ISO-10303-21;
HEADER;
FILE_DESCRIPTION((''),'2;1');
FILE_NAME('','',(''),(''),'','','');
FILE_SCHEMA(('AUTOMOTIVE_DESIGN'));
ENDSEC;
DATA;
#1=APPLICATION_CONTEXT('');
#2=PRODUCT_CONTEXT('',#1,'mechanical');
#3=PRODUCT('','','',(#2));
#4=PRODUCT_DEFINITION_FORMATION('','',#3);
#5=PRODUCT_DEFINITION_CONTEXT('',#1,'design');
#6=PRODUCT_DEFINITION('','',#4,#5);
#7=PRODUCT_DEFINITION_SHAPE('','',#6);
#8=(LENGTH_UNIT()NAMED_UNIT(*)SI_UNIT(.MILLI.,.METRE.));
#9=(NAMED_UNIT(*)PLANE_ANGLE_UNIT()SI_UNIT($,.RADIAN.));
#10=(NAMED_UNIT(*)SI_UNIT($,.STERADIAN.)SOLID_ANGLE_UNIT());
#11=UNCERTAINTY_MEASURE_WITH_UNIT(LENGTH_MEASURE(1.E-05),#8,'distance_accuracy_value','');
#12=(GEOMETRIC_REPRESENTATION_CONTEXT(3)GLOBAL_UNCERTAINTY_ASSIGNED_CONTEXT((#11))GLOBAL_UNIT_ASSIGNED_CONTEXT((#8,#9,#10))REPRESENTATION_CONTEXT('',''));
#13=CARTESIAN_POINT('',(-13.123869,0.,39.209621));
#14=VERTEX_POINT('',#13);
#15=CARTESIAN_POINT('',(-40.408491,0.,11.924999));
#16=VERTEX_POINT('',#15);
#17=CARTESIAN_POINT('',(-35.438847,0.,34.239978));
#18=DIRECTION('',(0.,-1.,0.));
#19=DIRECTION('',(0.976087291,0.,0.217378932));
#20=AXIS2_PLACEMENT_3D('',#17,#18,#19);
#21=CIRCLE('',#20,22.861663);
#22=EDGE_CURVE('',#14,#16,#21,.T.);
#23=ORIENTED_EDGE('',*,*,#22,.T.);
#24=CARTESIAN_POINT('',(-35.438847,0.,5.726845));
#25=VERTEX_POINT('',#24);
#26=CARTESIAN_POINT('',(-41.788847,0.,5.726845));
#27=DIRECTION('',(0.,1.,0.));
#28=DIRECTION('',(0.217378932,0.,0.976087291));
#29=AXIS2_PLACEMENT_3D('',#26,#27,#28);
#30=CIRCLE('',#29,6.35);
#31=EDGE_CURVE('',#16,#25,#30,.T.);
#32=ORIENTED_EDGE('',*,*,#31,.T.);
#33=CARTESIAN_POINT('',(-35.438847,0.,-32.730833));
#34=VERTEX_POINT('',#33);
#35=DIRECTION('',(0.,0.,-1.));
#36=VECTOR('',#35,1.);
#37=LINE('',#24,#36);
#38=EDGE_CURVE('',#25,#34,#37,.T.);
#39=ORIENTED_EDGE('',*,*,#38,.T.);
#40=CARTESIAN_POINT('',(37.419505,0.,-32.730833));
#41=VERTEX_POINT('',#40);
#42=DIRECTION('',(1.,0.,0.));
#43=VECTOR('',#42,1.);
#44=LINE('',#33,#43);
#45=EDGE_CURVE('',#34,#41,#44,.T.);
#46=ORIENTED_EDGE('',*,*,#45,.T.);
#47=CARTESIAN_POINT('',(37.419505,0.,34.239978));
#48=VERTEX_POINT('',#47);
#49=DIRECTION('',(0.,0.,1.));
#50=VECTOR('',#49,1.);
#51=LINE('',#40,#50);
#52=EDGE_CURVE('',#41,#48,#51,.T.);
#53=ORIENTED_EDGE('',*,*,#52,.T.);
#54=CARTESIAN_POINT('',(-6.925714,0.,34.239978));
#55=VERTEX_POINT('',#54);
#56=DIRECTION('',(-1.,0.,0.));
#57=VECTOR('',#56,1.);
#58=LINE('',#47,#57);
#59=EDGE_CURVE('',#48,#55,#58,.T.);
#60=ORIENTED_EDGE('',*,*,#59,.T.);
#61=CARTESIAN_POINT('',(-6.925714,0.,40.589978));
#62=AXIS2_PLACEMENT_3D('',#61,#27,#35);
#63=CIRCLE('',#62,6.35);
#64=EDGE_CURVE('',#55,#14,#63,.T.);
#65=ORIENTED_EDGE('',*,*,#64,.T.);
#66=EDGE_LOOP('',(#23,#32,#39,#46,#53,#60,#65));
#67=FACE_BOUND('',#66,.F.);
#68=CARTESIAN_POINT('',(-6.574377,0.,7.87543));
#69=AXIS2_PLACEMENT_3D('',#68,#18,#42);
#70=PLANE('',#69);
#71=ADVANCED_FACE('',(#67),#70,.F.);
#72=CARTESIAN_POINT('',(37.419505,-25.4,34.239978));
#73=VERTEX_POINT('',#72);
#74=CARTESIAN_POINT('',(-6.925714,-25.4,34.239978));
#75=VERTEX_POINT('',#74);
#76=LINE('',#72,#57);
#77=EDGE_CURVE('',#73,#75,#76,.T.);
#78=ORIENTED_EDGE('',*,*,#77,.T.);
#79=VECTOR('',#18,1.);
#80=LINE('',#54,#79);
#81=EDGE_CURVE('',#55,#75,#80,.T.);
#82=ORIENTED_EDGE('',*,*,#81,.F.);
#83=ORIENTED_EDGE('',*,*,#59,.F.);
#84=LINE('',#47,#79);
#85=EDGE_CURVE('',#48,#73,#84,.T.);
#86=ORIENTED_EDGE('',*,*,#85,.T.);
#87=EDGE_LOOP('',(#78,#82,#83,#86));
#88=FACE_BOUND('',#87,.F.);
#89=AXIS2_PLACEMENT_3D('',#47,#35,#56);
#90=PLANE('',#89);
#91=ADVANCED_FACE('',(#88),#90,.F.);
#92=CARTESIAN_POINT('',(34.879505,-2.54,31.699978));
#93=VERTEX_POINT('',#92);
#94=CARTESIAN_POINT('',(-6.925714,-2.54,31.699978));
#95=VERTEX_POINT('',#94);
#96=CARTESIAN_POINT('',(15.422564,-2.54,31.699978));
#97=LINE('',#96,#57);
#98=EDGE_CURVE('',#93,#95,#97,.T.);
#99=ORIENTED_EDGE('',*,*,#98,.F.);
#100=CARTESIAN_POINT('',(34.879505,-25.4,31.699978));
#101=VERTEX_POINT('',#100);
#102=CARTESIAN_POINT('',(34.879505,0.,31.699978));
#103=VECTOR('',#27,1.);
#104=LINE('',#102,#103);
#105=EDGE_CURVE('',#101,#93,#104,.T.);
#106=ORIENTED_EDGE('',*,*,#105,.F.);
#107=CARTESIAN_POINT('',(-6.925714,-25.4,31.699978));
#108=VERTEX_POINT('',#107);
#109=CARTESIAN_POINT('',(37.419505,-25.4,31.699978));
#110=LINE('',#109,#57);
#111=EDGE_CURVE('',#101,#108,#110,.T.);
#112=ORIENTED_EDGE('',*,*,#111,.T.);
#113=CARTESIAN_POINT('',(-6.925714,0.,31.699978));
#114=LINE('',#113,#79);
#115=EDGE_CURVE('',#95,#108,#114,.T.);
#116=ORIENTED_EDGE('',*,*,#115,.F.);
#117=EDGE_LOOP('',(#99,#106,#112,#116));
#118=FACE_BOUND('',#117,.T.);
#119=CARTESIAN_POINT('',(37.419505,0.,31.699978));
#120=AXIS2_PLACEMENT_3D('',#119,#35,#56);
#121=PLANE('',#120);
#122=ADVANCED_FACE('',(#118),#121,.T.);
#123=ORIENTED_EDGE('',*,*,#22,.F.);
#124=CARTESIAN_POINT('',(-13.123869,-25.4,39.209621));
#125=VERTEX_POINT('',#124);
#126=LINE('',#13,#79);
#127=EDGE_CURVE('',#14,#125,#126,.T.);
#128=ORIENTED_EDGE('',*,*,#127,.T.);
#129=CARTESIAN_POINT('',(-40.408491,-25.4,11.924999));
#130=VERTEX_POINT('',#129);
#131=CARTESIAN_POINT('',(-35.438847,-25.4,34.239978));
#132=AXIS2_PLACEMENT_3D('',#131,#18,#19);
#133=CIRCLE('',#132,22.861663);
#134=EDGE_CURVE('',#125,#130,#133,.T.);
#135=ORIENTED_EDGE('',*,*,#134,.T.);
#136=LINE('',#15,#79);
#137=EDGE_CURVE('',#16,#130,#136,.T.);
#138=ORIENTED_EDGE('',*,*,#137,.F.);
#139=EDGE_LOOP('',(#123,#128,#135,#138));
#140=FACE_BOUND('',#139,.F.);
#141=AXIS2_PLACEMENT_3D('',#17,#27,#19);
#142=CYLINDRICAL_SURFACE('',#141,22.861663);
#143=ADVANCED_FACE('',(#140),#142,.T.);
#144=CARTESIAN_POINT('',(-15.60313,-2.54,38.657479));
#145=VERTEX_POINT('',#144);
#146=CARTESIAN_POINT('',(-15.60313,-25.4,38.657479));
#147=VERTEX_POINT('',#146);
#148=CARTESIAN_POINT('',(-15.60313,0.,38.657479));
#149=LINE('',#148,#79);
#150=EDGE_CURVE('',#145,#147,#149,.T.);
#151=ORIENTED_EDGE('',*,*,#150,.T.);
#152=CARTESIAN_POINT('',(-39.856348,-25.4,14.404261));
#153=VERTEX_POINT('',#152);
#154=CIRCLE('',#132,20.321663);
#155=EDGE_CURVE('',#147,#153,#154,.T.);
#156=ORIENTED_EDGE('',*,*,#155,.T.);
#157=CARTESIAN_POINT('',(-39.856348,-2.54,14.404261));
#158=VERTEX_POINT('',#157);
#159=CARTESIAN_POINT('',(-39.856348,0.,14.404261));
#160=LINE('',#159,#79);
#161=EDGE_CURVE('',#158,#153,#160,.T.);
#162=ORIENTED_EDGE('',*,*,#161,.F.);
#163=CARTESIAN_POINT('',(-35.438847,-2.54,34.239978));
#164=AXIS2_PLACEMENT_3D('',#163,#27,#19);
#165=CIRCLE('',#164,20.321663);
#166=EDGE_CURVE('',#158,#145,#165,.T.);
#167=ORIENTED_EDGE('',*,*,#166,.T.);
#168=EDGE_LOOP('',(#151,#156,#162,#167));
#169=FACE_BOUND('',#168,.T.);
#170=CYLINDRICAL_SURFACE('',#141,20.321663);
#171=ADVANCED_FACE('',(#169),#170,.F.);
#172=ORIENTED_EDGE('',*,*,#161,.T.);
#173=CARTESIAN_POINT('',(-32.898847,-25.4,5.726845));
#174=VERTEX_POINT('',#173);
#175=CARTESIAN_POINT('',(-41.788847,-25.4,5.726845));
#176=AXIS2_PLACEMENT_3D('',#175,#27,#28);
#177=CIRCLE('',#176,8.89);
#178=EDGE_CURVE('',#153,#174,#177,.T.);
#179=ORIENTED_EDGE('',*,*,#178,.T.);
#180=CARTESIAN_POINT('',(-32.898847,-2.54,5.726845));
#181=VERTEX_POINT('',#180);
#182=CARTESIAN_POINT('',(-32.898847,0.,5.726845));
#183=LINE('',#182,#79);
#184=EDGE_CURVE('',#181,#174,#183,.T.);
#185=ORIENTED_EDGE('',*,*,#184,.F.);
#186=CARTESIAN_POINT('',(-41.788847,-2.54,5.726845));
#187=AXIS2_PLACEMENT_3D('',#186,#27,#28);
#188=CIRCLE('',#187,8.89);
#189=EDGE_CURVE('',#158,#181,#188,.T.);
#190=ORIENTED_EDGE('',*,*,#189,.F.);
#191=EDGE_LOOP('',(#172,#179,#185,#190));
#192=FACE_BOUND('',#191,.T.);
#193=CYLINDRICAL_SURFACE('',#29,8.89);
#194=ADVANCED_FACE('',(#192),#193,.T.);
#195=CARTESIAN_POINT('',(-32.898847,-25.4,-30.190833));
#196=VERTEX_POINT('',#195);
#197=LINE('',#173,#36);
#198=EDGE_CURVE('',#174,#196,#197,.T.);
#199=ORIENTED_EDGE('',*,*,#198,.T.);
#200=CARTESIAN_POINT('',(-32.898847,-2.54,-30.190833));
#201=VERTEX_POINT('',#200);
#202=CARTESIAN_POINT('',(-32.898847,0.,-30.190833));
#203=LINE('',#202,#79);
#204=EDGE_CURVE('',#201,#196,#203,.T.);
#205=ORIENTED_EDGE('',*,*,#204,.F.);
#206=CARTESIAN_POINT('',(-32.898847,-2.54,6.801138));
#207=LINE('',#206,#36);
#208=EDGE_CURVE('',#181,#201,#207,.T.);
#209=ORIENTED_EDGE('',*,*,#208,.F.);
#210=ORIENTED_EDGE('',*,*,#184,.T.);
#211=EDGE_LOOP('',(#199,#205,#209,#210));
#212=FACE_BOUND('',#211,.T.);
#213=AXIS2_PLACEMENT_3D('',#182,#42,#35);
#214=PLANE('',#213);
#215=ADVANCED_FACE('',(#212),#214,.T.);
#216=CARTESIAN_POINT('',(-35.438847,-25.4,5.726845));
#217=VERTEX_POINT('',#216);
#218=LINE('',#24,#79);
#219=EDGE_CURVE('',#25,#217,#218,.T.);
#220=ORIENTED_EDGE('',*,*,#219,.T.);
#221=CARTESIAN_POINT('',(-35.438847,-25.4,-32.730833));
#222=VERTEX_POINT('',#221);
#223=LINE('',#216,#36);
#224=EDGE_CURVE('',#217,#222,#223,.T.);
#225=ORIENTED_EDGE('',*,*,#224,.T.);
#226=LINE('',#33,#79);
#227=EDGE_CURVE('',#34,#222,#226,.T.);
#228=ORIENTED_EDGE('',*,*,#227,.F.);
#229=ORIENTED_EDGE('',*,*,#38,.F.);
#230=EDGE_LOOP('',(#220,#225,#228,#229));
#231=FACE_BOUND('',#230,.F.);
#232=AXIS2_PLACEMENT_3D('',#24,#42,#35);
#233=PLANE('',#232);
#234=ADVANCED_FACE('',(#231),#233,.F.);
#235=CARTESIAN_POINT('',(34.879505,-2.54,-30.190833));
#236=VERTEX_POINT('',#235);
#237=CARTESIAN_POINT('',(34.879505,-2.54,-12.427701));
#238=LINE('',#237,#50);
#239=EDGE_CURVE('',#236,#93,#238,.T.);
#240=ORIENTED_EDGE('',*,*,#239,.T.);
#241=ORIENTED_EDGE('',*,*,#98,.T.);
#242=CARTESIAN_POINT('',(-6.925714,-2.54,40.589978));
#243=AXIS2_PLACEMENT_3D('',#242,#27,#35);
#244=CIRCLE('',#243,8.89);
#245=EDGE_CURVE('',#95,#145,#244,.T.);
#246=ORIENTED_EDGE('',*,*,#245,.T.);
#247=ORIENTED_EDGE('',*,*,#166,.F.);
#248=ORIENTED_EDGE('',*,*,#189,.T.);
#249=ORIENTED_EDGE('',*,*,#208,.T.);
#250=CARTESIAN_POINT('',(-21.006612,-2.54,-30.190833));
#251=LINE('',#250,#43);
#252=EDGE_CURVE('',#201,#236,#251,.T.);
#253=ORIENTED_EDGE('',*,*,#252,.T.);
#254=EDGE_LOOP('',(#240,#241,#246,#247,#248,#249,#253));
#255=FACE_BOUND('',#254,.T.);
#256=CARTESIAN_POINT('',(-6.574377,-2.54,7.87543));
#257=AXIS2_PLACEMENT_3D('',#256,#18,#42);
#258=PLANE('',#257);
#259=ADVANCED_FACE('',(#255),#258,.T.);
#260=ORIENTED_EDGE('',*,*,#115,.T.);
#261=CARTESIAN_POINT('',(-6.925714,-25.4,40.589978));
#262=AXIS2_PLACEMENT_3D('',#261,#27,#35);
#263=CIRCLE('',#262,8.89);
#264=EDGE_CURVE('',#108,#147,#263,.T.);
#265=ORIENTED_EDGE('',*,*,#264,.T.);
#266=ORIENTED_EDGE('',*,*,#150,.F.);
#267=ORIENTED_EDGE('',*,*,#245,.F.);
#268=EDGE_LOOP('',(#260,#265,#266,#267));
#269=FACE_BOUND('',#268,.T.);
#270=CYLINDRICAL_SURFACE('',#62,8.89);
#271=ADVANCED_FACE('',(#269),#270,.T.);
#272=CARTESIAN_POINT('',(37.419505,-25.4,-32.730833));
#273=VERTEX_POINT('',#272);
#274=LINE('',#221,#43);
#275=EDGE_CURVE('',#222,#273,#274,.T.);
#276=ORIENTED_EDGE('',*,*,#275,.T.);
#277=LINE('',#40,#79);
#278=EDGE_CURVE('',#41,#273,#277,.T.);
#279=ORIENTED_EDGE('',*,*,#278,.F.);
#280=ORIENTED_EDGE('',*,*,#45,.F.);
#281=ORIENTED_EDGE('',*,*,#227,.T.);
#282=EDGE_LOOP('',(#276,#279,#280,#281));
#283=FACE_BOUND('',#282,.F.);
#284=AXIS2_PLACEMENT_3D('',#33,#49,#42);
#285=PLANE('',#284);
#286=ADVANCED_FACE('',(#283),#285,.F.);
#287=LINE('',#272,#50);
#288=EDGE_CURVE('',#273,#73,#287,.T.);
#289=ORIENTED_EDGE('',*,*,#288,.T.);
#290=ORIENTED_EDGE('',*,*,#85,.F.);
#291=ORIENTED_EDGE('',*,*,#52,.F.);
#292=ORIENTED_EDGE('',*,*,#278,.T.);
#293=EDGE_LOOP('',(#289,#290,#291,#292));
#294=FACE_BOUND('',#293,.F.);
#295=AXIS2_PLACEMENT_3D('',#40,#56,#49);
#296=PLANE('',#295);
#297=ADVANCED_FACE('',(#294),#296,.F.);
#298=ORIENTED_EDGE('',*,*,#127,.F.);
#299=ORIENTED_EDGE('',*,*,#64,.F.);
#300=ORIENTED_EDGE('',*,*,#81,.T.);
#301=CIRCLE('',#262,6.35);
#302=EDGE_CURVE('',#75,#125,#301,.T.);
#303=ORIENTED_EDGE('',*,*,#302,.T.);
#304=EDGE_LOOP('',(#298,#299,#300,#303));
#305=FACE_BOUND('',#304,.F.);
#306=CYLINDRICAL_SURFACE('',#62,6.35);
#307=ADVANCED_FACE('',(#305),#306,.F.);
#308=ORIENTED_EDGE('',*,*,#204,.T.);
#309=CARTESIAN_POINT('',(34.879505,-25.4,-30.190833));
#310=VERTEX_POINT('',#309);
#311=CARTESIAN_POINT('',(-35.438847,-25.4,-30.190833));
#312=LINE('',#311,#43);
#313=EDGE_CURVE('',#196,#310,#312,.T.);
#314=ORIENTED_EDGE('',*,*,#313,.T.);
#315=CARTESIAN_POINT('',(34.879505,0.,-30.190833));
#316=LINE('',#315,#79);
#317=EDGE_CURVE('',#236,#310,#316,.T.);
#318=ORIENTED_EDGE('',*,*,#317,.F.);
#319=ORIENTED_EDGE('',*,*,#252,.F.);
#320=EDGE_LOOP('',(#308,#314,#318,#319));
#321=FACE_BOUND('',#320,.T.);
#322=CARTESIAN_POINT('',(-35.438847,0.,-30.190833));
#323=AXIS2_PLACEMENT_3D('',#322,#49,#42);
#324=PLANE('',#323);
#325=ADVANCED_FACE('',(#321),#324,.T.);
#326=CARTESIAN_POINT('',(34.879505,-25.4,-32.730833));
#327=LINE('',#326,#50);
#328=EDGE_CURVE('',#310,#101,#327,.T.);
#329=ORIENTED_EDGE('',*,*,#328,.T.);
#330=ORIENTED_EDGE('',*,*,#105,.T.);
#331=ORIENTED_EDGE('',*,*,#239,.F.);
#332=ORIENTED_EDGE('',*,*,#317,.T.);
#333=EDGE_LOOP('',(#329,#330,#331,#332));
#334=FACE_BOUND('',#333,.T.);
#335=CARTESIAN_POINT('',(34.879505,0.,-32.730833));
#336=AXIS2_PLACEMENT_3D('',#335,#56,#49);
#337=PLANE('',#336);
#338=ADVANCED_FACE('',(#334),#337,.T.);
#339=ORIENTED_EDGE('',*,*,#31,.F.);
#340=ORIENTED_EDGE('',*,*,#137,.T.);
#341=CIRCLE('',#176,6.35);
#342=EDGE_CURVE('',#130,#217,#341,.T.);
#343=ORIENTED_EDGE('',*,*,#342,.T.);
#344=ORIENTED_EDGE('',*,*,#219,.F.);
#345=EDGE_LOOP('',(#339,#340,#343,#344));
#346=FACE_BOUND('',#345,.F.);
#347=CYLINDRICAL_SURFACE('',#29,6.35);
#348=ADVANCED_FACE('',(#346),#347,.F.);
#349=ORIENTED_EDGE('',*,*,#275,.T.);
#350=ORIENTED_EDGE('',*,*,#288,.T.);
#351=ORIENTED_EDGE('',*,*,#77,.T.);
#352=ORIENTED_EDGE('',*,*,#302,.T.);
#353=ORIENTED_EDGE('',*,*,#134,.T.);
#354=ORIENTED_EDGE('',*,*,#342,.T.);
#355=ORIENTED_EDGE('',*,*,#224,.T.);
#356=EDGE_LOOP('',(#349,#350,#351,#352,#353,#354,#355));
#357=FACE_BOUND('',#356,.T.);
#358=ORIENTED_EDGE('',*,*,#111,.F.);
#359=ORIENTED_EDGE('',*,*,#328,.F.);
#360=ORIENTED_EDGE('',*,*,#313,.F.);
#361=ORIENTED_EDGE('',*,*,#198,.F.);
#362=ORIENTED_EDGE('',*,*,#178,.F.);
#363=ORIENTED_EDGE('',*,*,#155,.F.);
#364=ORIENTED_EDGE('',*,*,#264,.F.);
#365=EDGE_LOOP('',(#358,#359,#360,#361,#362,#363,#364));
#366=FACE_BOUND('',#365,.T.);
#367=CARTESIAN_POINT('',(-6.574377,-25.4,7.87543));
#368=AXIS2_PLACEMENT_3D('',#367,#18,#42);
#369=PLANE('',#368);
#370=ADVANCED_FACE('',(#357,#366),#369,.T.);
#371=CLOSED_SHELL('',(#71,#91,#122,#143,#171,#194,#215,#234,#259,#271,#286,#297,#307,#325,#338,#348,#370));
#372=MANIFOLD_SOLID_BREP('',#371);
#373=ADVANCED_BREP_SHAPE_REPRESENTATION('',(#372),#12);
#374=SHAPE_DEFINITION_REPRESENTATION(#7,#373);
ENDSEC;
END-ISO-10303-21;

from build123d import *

# Parameters (mm, degrees)
F1_DEPTH = 25.4
F3_T     = -2.54


with BuildPart() as f1:
    # F0 (on Front) → F1 (new body)
    with BuildSketch(Plane.XZ):
        with BuildLine():
            Line((37.4195054173, 34.2399775982), (-6.9257142653, 34.2399775982))
            ThreePointArc((-6.9257142653, 34.2399775982), (-10.8979452514, 35.6357994632), (-13.123868564, 39.2096213798))
            ThreePointArc((-13.123868564, 39.2096213798), (-51.6044833887, 50.4056141901), (-40.4084905783, 11.9249993654))
            ThreePointArc((-40.4084905783, 11.9249993654), (-36.8346686617, 9.6990760528), (-35.4388467968, 5.7268450668))
            Line((-35.4388467968, 5.7268450668), (-35.4388467968, -32.730832696))
            Line((-35.4388467968, -32.730832696), (37.4195054173, -32.730832696))
            Line((37.4195054173, -32.730832696), (37.4195054173, 34.2399775982))
        make_face()
    extrude(amount=F1_DEPTH)

    # F3
    f3_openings = [f1.faces().sort_by_distance(p)[0] for p in [
        (-7.03605, -25.4, 8.183097),
    ]]
    offset(amount=F3_T, openings=f3_openings)


solid = f1.part
